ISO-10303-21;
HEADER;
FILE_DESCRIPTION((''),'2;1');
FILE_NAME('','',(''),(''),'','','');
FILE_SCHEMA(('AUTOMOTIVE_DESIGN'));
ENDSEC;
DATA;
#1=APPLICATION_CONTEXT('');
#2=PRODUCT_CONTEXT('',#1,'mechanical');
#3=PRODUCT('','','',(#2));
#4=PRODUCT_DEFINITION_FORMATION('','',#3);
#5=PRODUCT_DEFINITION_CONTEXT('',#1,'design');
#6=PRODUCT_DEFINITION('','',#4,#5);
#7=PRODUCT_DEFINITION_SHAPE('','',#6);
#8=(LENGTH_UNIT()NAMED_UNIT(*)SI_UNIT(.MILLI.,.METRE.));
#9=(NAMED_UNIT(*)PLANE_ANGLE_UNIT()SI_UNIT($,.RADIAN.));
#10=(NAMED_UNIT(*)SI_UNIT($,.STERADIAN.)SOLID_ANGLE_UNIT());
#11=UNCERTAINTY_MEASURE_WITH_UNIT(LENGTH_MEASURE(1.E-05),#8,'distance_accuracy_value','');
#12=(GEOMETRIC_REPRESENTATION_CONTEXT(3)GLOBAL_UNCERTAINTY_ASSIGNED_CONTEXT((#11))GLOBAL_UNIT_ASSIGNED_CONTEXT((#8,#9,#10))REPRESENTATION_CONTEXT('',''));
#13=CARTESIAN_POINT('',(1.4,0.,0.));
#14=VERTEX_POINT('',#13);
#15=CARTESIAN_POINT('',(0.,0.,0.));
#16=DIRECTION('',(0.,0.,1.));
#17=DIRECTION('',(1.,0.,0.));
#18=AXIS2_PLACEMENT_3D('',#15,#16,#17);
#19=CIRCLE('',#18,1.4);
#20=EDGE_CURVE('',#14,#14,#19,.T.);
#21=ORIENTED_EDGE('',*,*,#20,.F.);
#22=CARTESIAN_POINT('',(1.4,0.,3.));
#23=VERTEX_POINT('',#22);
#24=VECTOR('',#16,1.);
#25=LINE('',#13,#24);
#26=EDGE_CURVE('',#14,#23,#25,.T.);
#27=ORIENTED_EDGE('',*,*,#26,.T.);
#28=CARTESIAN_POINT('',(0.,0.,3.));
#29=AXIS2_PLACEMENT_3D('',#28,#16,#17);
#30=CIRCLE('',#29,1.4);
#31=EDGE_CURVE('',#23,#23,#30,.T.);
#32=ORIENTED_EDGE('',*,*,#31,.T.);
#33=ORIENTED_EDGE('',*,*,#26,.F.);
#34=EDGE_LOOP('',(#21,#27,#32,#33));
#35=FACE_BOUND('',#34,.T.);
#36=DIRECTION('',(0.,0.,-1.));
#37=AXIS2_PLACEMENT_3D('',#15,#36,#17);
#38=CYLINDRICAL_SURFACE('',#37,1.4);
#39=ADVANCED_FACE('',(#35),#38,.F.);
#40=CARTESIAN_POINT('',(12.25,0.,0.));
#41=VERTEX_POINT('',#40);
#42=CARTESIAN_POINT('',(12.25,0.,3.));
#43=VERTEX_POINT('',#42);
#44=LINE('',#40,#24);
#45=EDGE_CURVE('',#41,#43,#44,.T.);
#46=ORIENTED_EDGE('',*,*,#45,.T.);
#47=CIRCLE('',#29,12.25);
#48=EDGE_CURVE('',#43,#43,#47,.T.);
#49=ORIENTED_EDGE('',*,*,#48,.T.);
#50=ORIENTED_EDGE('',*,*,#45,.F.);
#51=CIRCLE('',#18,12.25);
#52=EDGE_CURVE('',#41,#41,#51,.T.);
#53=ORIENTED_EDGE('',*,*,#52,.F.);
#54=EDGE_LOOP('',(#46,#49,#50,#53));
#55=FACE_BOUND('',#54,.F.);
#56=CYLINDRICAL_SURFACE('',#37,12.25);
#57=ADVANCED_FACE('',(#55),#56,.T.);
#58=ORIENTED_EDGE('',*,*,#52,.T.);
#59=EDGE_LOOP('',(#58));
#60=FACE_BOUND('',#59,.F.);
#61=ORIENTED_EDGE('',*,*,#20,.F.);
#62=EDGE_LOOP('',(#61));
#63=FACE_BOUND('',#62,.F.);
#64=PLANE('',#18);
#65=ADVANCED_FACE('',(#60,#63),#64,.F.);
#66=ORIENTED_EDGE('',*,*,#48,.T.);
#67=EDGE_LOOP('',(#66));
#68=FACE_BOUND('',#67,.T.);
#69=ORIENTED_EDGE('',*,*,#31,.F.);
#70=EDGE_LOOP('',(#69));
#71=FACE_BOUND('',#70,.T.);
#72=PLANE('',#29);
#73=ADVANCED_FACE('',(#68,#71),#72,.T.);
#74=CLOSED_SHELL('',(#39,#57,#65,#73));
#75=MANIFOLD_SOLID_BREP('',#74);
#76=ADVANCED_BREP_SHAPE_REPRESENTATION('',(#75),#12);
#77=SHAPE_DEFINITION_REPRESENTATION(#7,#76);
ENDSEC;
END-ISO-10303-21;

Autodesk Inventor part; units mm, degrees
ref_plane "YZ Plane" through (0, 0, 0) normal (1, 0, 0) x (0, 1, 0)
ref_plane "XZ Plane" through (0, 0, 0) normal (0, 1, 0) x (-1, 0, 0)
ref_plane "XY Plane" through (0, 0, 0) normal (0, 0, 1) x (1, 0, 0)
sketch "Sketch1" plane through (0, 0, 0) normal (0, 0, 1) x (1, 0, 0)
  circle A0 centre (0, 0) radius 12.25
  circle A1 centre (0, 0) radius 1.4
  dimension "d3" = 24.5
  dimension "d4" = 2.8
extrude "Extrusion1" add sketch "Sketch1" along normal blind 3
properties part number "Front Middle Endcap"
